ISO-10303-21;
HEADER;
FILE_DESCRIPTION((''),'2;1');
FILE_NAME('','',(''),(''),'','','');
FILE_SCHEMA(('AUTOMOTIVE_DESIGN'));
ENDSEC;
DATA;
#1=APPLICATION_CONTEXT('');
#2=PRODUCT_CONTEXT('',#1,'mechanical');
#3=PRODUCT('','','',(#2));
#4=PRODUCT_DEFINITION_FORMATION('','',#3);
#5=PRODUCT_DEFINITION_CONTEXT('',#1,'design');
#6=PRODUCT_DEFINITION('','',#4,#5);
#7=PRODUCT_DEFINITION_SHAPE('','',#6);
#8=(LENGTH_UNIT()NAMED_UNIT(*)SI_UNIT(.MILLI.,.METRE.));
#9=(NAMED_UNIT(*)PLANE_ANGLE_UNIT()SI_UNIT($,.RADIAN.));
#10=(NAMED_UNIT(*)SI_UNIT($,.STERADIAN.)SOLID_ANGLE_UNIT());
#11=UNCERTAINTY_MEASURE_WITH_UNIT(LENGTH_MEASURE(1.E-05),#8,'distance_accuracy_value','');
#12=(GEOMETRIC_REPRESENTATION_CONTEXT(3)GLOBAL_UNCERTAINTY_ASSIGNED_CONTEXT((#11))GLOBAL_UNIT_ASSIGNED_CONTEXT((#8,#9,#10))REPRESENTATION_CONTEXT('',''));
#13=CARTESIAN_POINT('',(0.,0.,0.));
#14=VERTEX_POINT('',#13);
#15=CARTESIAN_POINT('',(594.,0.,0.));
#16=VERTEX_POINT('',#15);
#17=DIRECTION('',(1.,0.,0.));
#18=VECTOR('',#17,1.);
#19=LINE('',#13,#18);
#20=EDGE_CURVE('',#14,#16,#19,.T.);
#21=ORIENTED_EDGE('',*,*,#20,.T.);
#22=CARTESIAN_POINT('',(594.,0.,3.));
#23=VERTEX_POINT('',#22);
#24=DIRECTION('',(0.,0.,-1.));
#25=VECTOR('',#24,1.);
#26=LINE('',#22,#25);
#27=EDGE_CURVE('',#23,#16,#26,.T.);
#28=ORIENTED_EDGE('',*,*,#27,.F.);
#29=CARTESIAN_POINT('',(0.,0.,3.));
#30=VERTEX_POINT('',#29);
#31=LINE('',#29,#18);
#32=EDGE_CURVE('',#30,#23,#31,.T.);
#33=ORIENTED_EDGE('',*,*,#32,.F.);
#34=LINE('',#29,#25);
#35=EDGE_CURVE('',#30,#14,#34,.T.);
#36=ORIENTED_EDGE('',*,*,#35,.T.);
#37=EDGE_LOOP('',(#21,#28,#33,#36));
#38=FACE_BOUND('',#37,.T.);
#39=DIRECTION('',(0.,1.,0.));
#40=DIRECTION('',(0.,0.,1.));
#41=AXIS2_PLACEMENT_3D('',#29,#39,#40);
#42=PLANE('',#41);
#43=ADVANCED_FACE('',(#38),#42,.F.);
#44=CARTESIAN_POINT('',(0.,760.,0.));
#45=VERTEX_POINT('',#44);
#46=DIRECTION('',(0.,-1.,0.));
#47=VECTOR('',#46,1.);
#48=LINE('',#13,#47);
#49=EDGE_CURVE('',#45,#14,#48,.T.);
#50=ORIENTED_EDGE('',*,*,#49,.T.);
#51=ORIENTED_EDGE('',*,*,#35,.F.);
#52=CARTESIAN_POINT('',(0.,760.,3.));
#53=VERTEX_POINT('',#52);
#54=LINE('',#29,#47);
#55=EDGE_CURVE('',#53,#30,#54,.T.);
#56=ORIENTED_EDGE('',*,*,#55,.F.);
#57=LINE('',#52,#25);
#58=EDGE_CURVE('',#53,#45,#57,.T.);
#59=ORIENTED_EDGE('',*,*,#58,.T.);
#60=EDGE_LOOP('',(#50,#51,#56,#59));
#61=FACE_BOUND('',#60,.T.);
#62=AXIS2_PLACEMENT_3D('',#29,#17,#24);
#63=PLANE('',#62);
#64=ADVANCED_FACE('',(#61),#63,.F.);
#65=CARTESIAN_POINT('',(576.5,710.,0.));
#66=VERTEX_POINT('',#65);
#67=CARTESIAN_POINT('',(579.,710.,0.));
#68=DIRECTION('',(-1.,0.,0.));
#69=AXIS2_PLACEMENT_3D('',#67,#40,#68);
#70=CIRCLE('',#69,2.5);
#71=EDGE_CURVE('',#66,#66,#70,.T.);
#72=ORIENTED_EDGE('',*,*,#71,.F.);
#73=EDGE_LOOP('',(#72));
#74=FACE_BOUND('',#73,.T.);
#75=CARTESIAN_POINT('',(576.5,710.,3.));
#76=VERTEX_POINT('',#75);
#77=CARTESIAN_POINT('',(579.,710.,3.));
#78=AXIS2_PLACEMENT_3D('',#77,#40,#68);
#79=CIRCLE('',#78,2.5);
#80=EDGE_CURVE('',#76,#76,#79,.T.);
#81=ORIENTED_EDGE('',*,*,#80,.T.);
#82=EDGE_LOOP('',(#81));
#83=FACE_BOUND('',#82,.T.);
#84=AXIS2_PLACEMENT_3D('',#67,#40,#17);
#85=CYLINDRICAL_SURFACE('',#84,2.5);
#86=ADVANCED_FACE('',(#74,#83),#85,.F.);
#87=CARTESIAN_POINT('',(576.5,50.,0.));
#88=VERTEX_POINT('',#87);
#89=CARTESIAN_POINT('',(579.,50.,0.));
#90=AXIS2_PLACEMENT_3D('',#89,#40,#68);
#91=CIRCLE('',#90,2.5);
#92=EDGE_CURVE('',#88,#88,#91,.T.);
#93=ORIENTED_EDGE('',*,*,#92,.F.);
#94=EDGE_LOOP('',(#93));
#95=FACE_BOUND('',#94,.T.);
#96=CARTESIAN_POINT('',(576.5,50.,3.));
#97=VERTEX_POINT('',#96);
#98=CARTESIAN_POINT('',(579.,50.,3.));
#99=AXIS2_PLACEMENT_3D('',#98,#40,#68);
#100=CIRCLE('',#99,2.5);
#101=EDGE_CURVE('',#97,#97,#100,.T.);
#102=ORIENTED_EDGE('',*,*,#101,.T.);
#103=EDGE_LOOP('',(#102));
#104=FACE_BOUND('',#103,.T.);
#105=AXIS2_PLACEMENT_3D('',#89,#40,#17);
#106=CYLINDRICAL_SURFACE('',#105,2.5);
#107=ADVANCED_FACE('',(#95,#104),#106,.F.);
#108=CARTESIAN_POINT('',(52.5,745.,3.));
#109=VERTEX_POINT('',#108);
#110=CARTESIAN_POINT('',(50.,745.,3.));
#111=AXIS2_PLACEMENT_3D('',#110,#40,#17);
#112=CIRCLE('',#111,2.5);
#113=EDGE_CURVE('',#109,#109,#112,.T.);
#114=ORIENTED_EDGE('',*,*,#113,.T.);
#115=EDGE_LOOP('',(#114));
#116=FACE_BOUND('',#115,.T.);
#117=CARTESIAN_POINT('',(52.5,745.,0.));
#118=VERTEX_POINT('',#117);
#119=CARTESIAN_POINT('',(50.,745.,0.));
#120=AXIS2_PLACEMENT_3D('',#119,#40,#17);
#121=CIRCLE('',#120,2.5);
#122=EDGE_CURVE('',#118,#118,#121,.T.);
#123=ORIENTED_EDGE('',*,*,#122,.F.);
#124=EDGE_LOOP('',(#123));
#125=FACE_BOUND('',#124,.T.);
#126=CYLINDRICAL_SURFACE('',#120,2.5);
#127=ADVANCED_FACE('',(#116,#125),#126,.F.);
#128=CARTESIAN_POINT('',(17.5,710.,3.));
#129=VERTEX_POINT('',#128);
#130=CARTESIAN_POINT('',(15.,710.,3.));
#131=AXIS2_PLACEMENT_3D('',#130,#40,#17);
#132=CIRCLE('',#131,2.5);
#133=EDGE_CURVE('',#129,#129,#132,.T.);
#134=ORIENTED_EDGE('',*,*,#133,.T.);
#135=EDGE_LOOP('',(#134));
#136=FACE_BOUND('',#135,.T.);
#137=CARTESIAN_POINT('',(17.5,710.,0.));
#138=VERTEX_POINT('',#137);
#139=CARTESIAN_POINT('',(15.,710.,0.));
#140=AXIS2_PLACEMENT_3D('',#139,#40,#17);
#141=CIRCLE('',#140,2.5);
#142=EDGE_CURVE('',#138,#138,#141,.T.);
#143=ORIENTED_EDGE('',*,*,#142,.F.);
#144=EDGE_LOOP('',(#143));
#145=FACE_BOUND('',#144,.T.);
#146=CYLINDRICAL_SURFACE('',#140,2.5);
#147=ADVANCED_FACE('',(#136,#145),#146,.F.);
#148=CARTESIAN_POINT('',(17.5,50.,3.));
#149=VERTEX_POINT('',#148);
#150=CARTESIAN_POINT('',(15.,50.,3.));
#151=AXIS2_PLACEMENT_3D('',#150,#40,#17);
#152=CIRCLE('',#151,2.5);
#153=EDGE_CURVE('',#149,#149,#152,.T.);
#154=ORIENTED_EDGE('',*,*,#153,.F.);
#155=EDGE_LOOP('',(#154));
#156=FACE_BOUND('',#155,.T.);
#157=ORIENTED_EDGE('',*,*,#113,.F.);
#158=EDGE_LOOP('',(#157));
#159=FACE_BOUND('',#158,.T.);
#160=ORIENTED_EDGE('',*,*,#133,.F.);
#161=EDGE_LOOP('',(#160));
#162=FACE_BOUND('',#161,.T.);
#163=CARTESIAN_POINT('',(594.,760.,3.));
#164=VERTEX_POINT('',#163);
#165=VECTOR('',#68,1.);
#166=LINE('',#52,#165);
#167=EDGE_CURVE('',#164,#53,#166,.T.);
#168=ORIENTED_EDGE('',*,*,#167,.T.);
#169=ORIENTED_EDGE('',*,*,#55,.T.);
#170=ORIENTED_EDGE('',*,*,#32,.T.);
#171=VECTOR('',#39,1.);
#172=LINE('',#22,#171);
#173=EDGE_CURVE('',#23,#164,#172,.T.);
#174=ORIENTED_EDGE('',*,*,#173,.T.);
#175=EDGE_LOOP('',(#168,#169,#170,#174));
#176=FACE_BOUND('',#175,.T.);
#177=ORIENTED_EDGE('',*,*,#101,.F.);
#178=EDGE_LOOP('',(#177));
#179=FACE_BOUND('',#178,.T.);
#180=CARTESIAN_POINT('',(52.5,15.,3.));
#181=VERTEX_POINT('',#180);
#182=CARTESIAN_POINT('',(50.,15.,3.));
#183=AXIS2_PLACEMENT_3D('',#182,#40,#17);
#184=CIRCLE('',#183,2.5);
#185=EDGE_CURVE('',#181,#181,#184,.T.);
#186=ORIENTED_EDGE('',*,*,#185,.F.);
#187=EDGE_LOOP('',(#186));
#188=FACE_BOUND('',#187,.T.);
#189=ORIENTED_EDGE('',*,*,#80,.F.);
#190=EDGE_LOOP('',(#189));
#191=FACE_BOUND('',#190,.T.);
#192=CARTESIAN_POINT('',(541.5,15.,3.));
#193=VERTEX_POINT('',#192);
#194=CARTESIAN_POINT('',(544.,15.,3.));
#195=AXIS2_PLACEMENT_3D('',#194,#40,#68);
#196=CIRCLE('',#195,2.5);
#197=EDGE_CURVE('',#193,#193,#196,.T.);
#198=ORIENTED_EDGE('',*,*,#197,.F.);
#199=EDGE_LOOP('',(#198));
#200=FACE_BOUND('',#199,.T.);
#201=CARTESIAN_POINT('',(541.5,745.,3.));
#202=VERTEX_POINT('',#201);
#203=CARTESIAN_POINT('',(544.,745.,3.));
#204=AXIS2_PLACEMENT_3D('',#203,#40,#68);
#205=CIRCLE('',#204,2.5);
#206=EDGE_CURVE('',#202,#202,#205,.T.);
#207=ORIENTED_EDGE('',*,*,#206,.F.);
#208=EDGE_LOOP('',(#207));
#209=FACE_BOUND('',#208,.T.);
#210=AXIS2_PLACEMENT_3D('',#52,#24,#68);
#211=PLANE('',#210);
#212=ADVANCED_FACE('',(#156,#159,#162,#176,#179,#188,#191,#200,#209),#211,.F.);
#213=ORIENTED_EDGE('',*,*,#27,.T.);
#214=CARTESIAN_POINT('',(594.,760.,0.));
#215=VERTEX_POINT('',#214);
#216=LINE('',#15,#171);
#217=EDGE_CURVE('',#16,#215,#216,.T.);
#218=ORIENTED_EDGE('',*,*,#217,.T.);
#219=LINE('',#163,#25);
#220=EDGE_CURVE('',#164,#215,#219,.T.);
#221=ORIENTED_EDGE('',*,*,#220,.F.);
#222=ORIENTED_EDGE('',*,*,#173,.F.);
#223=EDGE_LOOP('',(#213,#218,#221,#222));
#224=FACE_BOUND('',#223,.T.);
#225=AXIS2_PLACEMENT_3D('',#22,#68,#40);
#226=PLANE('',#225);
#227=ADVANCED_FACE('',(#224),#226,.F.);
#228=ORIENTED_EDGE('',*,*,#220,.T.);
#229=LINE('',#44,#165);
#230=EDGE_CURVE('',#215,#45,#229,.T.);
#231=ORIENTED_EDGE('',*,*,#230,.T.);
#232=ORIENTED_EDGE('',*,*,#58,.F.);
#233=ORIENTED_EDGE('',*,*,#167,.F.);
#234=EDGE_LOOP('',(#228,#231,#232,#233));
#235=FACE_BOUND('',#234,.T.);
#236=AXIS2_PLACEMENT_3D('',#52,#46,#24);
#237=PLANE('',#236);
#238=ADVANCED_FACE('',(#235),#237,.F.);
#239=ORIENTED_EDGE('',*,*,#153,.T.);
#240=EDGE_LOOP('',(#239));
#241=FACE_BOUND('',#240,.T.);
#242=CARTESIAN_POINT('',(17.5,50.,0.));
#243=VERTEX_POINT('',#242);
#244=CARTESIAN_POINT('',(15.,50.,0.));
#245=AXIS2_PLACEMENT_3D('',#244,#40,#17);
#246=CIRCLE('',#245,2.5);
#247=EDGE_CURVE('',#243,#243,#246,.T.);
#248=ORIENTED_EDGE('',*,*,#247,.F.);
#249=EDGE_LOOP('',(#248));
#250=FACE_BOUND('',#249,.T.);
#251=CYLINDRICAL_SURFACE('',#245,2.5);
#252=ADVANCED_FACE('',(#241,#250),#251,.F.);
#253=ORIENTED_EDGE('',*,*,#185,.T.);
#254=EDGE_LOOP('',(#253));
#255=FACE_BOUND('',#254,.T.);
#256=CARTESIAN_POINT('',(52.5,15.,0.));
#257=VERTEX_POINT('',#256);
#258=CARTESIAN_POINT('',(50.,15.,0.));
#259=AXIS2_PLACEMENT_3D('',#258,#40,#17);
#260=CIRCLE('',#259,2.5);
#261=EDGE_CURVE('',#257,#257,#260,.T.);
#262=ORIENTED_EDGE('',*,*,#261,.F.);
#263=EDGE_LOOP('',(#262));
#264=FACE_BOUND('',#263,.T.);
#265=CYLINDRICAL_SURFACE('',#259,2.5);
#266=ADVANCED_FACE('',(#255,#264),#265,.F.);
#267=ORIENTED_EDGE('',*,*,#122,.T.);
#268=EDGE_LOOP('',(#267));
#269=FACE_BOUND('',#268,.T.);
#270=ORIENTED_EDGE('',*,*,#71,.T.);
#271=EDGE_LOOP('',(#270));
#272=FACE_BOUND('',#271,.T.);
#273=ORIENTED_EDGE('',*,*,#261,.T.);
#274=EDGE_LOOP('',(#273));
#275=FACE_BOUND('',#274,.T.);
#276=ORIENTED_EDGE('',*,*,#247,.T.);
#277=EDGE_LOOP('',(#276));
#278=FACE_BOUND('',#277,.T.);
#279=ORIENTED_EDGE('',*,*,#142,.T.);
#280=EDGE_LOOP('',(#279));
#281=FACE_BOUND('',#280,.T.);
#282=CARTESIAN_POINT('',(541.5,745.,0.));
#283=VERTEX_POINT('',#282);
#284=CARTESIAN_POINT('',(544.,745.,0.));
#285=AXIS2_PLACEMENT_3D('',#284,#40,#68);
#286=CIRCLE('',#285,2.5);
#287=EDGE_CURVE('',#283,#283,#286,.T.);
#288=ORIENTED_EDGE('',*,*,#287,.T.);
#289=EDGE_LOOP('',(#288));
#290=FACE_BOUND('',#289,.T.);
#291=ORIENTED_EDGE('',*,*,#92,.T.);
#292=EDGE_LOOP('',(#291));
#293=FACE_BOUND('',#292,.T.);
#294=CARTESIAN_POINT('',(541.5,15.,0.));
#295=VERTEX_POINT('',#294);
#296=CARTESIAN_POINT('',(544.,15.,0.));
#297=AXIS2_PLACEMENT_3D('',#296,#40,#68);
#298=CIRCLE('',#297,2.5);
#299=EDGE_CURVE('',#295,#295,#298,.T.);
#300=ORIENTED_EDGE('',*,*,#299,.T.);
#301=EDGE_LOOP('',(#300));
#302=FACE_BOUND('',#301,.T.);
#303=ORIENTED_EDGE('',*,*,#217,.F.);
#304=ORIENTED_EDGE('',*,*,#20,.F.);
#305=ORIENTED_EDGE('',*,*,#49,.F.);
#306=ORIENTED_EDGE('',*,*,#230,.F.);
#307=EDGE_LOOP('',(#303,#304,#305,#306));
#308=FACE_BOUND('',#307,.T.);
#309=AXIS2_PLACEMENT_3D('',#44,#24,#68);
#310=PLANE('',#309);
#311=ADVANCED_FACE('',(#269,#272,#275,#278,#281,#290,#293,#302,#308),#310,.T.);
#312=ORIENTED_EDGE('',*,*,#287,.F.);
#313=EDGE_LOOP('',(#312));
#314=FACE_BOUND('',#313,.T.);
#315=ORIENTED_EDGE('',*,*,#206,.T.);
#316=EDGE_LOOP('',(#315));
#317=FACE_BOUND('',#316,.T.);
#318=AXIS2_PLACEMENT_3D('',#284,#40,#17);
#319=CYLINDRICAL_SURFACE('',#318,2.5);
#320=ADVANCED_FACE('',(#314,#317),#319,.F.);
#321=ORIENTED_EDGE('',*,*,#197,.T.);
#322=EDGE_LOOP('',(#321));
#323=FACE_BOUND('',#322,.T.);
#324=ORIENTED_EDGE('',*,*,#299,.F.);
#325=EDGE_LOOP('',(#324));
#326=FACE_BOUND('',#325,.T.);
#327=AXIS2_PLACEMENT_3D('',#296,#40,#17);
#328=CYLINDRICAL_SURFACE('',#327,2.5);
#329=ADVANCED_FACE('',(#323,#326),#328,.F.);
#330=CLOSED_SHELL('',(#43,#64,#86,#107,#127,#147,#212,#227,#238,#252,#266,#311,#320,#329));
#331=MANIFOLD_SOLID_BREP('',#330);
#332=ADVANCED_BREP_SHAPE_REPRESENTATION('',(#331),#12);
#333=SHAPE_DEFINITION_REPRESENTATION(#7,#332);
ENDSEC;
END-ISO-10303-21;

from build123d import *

# Parameters (mm, degrees)
ESQUISSE1_W             = 594
ESQUISSE1_H             = 760
BOSS_EXTRU_1_DEPTH      = 3
ESQUISSE2_R             = 2.5
ENL_V_MAT_EXTRU_1_DEPTH = 3


with BuildPart() as part:
    # Esquisse1 → Boss.-Extru.1 (new body)
    with BuildSketch(Plane.XY):
        with Locations((297, 380)):
            Rectangle(ESQUISSE1_W, ESQUISSE1_H)
    extrude(amount=BOSS_EXTRU_1_DEPTH)

    # Esquisse2 → Enlèv. mat.-Extru.1 (cut)
    with BuildSketch(Plane.XY.offset(3)):
        with Locations((50, 745)):
            Circle(ESQUISSE2_R)
        with Locations((15, 710)):
            Circle(ESQUISSE2_R)
        with Locations((15, 50)):
            Circle(ESQUISSE2_R)
        with Locations((50, 15)):
            Circle(ESQUISSE2_R)
        with Locations((544, 15)):
            Circle(ESQUISSE2_R)
        with Locations((579, 50)):
            Circle(ESQUISSE2_R)
        with Locations((579, 710)):
            Circle(ESQUISSE2_R)
        with Locations((544, 745)):
            Circle(ESQUISSE2_R)
    extrude(amount=-ENL_V_MAT_EXTRU_1_DEPTH, mode=Mode.SUBTRACT)


solid = part.part
